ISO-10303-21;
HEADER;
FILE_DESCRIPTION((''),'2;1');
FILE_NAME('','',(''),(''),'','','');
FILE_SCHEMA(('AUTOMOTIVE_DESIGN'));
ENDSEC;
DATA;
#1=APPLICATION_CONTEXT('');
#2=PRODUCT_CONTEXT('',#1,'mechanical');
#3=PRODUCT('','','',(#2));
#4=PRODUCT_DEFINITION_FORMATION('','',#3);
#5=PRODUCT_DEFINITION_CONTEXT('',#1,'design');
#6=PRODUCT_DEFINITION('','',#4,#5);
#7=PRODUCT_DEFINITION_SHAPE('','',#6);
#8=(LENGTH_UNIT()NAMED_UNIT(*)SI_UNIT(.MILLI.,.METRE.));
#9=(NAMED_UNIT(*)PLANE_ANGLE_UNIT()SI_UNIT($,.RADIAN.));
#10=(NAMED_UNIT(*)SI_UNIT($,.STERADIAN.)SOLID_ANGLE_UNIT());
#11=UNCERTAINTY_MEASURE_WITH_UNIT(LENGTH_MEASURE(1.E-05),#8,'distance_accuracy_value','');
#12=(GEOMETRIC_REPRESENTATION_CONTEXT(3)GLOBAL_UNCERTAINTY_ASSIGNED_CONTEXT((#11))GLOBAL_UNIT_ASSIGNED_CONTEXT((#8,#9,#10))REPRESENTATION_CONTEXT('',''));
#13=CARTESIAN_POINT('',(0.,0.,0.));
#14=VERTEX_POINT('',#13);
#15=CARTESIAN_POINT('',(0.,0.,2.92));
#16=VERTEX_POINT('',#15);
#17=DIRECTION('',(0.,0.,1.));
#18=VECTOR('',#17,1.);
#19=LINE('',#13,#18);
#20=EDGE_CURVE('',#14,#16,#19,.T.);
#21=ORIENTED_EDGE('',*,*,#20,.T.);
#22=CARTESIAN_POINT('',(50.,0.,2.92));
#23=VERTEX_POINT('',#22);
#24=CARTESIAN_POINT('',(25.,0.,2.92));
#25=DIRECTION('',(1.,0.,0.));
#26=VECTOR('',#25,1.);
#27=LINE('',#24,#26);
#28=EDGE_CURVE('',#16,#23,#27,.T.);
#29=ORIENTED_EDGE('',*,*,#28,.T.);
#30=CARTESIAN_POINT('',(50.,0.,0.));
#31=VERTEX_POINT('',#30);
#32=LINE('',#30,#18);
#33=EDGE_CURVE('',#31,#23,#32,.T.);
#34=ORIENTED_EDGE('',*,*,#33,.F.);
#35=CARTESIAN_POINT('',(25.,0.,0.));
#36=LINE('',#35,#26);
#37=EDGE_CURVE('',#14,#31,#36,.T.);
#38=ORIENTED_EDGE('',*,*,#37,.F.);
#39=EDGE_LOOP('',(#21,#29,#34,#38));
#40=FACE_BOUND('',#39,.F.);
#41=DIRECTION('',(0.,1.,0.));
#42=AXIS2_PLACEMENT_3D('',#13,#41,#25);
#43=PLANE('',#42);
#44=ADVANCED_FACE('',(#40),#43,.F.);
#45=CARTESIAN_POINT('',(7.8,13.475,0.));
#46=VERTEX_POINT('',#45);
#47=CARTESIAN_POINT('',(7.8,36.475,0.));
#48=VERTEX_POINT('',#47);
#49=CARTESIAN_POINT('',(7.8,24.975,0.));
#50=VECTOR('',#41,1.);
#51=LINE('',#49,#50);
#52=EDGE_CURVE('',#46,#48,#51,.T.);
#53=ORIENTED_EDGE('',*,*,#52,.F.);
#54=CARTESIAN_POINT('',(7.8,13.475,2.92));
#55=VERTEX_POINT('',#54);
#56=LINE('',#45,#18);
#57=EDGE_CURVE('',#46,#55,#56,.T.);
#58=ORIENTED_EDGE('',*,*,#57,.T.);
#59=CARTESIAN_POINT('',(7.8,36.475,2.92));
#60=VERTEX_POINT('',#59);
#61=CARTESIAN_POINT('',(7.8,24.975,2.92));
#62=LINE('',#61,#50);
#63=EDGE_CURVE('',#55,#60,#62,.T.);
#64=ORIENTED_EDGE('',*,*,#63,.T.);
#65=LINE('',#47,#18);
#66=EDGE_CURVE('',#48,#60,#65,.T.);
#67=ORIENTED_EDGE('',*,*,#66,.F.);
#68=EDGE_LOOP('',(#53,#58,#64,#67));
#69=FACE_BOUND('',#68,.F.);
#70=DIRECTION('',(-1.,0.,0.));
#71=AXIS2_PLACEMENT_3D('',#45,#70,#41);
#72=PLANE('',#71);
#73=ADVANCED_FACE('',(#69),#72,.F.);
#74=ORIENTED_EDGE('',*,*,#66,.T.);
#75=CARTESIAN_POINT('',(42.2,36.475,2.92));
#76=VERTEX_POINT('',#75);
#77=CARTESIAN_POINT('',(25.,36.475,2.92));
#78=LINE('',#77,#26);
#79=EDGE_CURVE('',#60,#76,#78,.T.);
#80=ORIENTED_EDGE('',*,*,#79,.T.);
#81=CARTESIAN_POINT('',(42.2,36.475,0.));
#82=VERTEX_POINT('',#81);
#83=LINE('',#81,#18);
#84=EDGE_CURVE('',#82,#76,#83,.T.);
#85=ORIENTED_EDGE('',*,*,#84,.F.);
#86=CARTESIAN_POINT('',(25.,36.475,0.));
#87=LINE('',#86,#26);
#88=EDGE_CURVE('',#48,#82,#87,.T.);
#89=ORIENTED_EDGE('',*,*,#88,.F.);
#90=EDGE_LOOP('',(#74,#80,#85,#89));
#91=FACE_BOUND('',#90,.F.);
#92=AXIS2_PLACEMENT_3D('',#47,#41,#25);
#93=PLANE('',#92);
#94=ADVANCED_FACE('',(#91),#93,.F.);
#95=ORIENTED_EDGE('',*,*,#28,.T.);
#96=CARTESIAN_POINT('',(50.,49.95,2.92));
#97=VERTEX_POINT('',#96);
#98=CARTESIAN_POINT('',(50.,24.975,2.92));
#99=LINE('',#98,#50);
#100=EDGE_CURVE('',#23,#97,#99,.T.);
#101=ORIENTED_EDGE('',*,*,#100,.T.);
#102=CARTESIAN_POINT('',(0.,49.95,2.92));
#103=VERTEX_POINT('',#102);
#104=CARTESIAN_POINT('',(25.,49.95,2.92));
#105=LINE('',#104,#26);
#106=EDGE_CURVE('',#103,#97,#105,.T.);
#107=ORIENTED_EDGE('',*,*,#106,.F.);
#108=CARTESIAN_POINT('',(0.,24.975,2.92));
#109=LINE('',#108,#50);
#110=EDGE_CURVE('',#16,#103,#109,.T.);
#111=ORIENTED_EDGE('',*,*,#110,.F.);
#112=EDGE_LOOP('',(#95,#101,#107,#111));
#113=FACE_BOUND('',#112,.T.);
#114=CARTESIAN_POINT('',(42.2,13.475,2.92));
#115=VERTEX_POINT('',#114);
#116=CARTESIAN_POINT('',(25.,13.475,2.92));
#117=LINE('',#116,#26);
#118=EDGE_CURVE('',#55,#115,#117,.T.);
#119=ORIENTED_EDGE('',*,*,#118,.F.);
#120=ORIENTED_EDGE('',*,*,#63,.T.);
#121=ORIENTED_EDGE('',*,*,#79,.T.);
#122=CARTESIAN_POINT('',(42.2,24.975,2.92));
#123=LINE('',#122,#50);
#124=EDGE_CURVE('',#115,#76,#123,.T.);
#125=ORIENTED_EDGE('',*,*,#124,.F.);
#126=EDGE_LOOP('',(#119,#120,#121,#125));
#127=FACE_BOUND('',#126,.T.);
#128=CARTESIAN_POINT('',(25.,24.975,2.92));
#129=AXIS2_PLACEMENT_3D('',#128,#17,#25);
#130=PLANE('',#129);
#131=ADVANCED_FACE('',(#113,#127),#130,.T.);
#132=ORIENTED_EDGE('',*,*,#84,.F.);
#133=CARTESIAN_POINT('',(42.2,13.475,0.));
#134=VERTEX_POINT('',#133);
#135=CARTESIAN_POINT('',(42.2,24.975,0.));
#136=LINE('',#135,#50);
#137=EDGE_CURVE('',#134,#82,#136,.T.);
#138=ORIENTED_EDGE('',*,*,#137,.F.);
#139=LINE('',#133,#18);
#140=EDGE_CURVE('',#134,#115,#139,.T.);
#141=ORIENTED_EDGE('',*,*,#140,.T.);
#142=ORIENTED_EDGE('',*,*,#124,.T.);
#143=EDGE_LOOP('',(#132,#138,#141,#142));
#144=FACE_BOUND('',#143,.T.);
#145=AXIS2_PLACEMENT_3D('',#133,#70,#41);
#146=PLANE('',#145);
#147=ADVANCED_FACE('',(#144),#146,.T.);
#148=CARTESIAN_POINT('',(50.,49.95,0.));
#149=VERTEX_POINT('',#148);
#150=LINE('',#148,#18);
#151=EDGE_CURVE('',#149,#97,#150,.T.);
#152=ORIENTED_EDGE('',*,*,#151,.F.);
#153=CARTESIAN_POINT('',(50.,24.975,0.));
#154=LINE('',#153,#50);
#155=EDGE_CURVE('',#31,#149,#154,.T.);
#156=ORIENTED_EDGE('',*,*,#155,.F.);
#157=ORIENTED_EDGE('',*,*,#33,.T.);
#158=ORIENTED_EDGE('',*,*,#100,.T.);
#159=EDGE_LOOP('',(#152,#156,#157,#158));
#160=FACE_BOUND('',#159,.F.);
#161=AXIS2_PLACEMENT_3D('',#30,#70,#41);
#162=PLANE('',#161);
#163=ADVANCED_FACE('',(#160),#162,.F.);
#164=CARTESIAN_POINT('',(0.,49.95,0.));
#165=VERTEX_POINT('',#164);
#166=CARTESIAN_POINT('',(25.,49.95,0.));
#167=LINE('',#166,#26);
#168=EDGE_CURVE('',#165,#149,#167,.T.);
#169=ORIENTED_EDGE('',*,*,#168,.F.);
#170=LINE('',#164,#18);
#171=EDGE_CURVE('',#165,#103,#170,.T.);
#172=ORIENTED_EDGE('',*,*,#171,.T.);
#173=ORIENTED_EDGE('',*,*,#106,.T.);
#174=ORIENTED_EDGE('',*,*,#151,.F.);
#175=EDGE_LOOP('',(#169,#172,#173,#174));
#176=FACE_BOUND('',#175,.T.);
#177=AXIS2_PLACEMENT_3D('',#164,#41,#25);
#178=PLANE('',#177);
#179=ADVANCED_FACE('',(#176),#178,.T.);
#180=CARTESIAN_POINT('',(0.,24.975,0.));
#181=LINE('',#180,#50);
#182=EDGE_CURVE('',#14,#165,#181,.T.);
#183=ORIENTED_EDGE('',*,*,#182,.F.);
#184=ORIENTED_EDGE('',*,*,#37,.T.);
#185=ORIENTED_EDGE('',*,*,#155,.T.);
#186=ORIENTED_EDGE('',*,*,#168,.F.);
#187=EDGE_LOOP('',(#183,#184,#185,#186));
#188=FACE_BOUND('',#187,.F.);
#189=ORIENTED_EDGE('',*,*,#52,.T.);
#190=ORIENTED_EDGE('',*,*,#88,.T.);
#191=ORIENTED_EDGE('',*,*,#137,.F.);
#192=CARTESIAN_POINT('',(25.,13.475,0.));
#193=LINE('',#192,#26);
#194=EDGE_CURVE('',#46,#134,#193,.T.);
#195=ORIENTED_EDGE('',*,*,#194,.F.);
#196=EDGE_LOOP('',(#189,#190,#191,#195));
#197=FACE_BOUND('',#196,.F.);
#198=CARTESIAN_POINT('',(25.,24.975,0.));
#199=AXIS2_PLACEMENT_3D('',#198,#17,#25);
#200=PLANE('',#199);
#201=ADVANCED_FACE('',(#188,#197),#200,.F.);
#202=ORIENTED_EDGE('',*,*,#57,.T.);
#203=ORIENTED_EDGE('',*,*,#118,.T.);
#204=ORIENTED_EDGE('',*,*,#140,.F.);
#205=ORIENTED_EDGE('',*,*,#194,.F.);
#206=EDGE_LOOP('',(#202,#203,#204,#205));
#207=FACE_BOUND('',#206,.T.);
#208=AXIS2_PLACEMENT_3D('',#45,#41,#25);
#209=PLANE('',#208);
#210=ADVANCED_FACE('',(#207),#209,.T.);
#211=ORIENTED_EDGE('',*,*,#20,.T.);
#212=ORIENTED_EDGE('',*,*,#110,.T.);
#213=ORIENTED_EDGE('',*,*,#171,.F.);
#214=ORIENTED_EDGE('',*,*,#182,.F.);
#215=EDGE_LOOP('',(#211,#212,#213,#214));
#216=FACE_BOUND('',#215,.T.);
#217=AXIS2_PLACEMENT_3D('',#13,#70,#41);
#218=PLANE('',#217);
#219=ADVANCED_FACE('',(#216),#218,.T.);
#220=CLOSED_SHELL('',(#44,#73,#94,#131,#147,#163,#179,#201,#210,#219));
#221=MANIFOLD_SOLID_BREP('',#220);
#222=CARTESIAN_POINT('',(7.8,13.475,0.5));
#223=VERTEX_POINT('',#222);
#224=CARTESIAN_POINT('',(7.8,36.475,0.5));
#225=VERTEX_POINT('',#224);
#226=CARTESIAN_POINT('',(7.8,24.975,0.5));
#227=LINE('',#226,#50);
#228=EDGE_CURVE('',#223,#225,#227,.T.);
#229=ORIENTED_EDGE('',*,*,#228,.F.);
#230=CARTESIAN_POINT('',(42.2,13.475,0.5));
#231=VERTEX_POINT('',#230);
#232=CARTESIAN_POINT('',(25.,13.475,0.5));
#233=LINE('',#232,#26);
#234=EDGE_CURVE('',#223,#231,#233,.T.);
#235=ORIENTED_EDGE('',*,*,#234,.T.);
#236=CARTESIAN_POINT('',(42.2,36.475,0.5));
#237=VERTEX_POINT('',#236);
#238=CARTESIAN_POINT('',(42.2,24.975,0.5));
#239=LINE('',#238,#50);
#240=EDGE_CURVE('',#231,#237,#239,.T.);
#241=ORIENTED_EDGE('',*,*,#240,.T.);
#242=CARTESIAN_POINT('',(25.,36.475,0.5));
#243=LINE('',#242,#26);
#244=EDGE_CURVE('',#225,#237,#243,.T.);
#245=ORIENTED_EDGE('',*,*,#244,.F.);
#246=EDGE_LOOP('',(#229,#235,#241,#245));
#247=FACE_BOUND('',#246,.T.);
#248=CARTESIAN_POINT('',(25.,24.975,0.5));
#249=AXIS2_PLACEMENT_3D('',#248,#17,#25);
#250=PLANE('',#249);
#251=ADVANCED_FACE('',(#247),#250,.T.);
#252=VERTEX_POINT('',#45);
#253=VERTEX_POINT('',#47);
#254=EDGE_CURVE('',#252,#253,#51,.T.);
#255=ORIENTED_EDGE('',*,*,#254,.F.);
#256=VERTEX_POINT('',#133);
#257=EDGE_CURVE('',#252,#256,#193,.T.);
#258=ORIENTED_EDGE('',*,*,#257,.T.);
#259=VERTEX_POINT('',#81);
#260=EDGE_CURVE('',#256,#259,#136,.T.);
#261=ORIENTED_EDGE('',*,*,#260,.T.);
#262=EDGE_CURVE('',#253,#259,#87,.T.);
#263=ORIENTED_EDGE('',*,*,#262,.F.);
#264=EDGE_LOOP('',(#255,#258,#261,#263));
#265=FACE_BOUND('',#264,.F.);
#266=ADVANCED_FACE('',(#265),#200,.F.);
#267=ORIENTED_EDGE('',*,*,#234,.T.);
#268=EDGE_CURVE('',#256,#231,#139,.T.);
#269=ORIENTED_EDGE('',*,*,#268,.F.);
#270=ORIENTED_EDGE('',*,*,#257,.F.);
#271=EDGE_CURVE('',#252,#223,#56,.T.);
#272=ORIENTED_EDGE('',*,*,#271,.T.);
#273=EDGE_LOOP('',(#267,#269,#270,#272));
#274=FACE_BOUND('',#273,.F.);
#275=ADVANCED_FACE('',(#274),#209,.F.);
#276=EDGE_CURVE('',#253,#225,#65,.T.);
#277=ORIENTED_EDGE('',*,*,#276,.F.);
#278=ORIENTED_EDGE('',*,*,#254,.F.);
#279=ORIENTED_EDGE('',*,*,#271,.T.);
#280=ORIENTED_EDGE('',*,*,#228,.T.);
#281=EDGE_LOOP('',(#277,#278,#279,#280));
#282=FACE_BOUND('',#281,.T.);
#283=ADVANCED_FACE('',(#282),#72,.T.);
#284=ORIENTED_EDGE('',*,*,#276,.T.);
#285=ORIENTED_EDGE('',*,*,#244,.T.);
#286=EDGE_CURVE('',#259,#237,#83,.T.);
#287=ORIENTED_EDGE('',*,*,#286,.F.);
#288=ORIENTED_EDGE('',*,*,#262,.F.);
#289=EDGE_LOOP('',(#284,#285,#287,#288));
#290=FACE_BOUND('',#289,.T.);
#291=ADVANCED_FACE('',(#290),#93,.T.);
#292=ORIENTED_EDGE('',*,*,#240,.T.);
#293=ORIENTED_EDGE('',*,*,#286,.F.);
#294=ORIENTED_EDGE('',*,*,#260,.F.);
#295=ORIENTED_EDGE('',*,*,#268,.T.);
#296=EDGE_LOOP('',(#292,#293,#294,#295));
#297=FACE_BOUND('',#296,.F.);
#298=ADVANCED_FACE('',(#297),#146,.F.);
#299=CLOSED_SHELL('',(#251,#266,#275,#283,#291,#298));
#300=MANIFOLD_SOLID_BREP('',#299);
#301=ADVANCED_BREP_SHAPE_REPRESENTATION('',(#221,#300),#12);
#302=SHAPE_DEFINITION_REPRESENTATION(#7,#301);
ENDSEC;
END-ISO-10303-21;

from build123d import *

# Parameters (mm, degrees)
F0_W     = 50
F0_H     = 49.95
F0_W_2   = 34.4
F0_H_2   = 23
F1_DEPTH = 2.92
F2_DEPTH = 0.5


with BuildPart() as f1:
    # F0 (on Top) → F1 (new body)
    with BuildSketch(Plane.XY):
        with Locations((25, 24.975)):
            Rectangle(F0_W, F0_H)
        with Locations((25, 24.975)):
            Rectangle(F0_W_2, F0_H_2, mode=Mode.SUBTRACT)
    extrude(amount=F1_DEPTH)


with BuildPart() as f2:
    # F0 (on Top) → F2 (new body)
    with BuildSketch(Plane.XY):
        with Locations((25, 24.975)):
            Rectangle(F0_W_2, F0_H_2)
    extrude(amount=F2_DEPTH)


solid = Compound([f1.part, f2.part])
